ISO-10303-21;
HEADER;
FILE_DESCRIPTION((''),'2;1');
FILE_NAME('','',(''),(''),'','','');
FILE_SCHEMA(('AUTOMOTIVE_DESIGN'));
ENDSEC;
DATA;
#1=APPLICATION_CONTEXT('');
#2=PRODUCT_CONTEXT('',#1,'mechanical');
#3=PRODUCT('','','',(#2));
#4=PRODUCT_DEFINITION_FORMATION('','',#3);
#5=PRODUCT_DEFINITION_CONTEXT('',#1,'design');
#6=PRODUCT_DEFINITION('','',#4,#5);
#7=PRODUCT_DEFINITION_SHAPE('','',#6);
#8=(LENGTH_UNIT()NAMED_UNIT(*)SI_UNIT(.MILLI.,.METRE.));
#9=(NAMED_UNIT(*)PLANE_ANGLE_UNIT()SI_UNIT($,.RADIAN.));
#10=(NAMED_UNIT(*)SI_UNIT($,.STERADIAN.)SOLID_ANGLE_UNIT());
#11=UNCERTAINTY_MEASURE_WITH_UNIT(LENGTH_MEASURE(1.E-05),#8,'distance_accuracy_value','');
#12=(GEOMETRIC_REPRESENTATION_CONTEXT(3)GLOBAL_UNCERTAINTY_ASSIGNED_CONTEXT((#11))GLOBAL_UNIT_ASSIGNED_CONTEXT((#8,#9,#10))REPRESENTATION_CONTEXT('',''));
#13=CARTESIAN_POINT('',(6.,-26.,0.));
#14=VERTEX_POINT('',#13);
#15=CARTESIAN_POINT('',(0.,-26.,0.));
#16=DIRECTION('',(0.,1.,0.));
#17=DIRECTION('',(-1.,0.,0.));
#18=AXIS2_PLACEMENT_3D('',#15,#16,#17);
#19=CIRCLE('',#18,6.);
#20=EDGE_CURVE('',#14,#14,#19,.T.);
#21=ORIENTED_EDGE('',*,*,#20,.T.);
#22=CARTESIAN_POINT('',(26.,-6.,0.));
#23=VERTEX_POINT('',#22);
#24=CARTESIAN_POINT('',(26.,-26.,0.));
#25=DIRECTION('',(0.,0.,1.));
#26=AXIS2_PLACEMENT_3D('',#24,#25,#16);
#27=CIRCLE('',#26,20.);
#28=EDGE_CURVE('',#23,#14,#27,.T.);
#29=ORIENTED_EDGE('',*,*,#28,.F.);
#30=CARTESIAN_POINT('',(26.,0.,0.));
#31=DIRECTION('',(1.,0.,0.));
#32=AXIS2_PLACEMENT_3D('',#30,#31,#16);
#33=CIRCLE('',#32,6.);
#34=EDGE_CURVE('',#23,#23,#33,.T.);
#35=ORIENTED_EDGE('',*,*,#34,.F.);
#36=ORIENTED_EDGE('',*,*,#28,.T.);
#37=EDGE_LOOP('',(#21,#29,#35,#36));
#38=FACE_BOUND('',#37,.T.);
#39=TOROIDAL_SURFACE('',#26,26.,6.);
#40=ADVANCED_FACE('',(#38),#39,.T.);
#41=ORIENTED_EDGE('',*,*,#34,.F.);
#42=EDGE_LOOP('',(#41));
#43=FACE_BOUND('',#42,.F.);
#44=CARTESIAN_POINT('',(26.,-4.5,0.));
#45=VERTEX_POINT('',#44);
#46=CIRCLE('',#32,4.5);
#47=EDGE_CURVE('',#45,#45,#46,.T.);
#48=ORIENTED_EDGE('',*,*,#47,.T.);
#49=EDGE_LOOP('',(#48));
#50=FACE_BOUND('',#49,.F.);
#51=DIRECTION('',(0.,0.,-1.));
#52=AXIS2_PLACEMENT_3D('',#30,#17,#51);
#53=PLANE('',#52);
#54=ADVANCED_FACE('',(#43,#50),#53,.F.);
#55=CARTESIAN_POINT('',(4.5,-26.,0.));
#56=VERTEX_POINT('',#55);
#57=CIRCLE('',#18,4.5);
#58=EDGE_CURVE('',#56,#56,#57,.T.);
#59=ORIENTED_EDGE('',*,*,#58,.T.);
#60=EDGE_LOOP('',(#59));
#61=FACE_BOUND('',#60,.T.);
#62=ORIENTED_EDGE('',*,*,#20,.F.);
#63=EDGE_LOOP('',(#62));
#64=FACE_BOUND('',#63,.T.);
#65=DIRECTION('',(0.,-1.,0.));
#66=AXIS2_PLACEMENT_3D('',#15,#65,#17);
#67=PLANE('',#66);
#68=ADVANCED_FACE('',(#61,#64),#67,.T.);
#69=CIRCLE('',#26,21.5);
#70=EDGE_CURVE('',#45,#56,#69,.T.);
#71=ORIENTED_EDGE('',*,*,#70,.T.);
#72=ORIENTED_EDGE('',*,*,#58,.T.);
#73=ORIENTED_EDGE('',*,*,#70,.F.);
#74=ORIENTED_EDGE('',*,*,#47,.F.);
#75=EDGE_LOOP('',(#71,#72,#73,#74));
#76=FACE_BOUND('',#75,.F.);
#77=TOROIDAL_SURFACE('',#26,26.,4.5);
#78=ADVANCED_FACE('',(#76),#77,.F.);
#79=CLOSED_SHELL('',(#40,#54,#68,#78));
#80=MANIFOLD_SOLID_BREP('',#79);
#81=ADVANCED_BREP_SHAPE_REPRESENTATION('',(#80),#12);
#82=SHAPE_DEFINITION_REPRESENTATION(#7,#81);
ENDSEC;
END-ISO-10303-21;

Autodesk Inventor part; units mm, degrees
ref_plane "YZ Plane" through (0, 0, 0) normal (1, 0, 0) x (0, 1, 0)
ref_plane "XZ Plane" through (0, 0, 0) normal (0, 1, 0) x (-1, 0, 0)
sketch "Szkic6" plane through (0, 0, 0) normal (0, 0, 1) x (1, 0, 0)
  line L0 (-29.6067, 0) -> (35.2678, 0) construction
  line L1 (0, 42.3419) -> (0, -58.3726) construction
  arc A0 (26, 0) -> (0, -26) centre (26, -26) ccw
  line L2 (0, -26) -> (26, -26) construction
  line L3 (26, -26) -> (26, 39.5331) construction
  line L4 (26, 0) -> (26, 0)
  line L5 (0, -26) -> (0, -26)
  point P0 (0, 0)
  dimension "d24" = 26
  dimension "d31" = 90
  dimension "d36" = 0
  dimension "d37" = 0
ref_plane "Płaszczyzna konstrukcyjna2" through (0, -26, 0) normal (0, -1, 0) x (1, 0, 0)
sketch "Szkic8" plane through (0, -26, 0) normal (0, -1, 0) x (1, 0, 0)
  circle A0 centre (0, 0) radius 6
  circle A1 centre (0, 0) radius 4.5
  dimension "d32" = 12
  dimension "d33" = 1.5
sweep "Przeciągnięcie2" add profiles "Szkic8" path "Szkic6"
equation "\"d32\" = OD"
equation "\"d33\" = THK"
equation "\"d24\" = R"
equation "\"d31\" = KAT"
equation "\"SzerokośćGięciaPodcięcia\" = Grubość"
equation "\"RozmiarPodcięciaNarożnika\" = 4 * Grubość"
equation "\"PromieńPrzejścia\" = PromieńGięcia"
equation "\"Rozmiar_promienia_Jacobiego\" = PromieńGięcia"
equation "\"Wielk_odstępu\" = Grubość"
equation "\"d2\" = PromieńGięcia"
equation "\"d23\" = PromieńGięcia"
equation "\"R\" = 26"
equation "\"OD\" = 12"
equation "\"THK\" = 1.5"
equation "\"KAT\" = 90deg"
equation "\"PROSTKA\" = 0"
equation "\"Grubość\" = 1.5"
equation "\"PromieńGięcia\" = 3"
properties part number "Kolano 90° ø12x1,5 R26" material "304L"
